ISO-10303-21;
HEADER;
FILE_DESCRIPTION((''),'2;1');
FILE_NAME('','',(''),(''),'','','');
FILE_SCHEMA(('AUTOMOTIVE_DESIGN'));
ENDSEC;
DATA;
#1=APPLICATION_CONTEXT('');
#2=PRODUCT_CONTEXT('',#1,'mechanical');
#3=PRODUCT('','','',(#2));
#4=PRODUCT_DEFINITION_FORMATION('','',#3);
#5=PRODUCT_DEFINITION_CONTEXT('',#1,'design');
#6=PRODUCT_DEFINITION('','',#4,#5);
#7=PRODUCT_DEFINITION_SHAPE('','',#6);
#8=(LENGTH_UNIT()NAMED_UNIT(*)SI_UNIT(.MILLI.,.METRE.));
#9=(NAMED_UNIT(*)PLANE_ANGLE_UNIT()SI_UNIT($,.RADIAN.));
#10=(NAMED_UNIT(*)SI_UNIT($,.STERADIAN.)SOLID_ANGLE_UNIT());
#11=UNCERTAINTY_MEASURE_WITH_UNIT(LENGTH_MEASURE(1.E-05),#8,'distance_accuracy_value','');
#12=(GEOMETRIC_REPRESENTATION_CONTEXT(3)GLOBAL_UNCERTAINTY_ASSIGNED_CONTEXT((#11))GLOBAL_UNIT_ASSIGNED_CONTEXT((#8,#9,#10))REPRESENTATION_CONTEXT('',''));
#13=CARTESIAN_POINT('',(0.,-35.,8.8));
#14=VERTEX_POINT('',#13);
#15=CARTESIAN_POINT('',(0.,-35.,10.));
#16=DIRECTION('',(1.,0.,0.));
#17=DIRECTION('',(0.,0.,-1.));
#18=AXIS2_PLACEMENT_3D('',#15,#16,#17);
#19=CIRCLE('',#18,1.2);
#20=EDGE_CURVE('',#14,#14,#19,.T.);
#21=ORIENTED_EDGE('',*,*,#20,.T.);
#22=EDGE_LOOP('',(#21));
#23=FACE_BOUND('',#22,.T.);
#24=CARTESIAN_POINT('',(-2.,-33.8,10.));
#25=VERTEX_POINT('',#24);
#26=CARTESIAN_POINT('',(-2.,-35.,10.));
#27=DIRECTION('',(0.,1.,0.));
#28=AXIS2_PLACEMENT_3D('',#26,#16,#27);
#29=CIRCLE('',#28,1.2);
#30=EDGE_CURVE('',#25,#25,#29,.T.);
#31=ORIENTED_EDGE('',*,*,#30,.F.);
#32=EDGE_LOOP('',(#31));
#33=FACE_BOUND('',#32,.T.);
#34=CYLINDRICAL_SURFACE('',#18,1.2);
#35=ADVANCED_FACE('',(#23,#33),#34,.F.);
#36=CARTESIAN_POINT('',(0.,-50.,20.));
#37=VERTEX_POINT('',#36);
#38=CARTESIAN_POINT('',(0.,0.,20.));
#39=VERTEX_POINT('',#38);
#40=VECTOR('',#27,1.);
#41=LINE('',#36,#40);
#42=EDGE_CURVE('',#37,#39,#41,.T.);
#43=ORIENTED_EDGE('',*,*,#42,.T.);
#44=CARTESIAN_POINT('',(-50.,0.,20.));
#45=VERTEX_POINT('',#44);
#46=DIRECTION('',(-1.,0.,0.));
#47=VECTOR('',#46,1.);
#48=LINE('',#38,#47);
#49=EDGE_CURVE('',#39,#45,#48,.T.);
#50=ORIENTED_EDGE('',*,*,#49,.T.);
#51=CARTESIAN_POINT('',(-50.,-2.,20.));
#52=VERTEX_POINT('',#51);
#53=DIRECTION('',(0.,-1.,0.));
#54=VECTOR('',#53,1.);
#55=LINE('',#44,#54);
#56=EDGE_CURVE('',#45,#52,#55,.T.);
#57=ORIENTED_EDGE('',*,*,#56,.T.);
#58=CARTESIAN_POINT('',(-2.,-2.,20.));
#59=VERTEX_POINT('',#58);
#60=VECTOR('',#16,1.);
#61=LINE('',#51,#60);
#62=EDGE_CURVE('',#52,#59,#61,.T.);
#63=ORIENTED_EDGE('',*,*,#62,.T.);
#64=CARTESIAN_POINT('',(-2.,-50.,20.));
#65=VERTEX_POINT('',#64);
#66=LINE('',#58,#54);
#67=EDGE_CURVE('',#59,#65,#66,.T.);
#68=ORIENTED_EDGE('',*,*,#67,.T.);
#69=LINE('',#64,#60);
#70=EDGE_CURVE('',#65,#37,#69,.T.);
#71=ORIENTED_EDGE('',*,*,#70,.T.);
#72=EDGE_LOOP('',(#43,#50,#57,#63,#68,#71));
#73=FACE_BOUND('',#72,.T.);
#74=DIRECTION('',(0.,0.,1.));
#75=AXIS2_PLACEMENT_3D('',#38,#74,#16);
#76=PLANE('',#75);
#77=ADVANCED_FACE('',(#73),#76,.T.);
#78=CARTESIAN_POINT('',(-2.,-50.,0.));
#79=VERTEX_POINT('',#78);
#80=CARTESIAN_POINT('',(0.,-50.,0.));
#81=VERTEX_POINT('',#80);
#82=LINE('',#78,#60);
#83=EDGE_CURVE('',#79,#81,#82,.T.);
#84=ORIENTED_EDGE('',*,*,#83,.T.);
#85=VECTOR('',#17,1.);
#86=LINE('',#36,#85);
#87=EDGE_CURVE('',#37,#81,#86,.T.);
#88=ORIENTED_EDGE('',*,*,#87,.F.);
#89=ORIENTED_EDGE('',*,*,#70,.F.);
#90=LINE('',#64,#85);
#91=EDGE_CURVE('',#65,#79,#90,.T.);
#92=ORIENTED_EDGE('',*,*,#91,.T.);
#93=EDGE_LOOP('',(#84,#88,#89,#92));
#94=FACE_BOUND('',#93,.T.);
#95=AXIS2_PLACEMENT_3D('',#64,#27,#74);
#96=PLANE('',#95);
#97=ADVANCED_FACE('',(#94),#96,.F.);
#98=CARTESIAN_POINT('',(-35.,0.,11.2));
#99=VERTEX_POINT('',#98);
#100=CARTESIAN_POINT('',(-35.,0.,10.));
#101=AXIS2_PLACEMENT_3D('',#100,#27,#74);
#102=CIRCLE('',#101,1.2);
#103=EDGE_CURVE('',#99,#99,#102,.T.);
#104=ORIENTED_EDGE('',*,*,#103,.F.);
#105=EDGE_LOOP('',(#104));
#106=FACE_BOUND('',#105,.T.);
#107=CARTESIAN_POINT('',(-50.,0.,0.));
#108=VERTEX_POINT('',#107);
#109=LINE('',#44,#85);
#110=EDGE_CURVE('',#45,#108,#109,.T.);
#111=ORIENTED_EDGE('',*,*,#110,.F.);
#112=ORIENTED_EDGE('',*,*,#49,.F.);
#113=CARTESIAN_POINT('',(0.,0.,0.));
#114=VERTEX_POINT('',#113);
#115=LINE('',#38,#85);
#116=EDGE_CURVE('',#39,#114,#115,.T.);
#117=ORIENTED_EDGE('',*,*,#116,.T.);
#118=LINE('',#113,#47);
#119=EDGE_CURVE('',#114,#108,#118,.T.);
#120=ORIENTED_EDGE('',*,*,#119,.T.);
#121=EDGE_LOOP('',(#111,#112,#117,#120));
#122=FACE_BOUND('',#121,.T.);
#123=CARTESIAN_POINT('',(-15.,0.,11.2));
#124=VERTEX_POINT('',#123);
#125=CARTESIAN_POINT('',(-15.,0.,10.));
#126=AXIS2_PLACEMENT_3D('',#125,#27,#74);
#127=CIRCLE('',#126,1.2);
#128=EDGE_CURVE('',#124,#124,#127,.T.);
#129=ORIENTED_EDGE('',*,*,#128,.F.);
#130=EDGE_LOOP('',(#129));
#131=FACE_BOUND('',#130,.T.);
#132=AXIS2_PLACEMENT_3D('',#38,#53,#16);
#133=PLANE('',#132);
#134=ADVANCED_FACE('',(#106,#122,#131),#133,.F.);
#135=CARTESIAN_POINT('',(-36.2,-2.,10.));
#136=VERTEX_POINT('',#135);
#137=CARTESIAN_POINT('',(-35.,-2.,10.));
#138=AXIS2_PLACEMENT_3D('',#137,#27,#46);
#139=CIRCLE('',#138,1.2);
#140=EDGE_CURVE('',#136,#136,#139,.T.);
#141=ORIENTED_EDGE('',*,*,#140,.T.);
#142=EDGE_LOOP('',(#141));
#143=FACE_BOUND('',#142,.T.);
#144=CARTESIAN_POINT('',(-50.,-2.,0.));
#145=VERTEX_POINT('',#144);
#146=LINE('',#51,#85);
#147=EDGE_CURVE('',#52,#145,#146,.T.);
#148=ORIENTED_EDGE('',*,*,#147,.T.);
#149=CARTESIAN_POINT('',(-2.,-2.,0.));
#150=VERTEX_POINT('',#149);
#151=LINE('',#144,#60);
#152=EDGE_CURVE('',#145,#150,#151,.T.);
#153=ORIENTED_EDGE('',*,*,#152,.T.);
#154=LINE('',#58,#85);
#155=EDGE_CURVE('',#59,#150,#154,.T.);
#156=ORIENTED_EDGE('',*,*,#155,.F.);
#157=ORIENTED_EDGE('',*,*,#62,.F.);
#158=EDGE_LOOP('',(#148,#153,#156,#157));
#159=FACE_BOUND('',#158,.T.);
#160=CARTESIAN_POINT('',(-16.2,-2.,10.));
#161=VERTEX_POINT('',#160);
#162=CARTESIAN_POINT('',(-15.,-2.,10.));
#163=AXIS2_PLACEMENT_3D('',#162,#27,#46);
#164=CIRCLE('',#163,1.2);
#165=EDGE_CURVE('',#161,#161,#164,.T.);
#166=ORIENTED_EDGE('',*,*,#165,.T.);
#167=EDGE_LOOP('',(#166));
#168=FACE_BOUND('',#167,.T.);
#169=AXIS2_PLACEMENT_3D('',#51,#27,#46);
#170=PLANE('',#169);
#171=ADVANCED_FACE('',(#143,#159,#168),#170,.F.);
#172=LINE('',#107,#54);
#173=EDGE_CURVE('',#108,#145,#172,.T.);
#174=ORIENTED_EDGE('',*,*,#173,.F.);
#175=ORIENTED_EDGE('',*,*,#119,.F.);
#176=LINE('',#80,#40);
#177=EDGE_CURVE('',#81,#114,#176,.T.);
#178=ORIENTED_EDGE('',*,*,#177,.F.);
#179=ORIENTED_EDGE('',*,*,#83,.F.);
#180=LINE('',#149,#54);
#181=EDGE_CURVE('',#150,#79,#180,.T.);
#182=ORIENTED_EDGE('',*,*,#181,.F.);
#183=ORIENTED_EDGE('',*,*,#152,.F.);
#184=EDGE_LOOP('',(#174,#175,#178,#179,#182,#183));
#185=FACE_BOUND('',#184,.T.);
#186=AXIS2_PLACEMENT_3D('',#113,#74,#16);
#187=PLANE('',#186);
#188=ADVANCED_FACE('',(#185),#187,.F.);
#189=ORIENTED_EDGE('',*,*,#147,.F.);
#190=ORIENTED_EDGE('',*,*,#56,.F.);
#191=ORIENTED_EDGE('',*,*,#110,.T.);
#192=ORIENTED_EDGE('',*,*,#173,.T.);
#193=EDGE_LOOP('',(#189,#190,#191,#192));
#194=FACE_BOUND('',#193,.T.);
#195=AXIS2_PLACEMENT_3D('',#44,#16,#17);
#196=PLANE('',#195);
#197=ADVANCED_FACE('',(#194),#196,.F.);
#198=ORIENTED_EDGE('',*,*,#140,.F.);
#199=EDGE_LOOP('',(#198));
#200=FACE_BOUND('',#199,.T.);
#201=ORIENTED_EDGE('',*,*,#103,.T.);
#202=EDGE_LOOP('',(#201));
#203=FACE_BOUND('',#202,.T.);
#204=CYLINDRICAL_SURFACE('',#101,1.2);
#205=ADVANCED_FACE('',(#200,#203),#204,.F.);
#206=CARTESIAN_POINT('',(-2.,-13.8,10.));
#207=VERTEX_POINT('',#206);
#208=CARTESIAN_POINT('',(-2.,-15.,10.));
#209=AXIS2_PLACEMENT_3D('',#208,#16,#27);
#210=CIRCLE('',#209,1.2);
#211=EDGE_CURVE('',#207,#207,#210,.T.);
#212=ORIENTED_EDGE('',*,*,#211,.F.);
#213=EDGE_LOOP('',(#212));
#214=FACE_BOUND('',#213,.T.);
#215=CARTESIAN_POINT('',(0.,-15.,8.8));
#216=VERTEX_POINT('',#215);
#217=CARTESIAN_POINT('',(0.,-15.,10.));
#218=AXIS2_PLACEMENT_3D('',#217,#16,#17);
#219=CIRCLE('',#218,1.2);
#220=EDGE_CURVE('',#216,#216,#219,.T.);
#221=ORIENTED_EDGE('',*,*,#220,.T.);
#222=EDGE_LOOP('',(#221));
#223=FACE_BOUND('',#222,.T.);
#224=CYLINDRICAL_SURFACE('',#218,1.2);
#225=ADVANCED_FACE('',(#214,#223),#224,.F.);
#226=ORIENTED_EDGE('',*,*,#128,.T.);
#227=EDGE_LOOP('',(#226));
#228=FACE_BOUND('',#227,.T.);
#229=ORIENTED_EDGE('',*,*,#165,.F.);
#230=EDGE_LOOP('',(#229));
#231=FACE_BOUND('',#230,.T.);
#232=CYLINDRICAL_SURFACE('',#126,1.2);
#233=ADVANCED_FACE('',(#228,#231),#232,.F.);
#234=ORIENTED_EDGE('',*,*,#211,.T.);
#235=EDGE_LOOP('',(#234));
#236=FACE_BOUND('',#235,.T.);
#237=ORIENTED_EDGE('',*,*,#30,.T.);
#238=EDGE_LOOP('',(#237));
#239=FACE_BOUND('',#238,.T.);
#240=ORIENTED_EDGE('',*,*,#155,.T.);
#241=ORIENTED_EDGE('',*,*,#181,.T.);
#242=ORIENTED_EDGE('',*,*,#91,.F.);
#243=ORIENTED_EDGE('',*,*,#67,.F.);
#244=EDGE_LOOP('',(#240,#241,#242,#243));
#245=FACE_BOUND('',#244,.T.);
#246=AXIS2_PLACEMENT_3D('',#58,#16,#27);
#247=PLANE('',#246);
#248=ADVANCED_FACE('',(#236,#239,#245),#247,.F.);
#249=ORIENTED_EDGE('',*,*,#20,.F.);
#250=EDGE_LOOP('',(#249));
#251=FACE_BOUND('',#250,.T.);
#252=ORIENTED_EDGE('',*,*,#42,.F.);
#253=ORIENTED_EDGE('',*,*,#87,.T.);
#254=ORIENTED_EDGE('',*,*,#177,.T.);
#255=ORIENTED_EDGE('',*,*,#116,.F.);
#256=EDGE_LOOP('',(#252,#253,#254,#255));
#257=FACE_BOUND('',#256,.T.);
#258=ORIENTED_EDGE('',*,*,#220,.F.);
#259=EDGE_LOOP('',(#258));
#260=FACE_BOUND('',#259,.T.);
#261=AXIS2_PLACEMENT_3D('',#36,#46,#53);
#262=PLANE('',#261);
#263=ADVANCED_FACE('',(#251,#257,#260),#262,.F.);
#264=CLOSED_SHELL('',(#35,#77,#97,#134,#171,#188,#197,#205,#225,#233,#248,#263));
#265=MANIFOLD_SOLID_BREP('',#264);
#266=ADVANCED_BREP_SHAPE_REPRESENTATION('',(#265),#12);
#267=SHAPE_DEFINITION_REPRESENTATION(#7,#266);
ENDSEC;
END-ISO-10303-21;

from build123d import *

# Parameters (mm, degrees)
BOSS_EXTRUDE1_DEPTH                = 20
M2_CLEARANCE_HOLE1_D               = 2.4
M2_CLEARANCE_HOLE1_DEPTH           = 3
M2_CLEARANCE_HOLE1_TIP             = 0.721032743
M2_CLEARANCE_HOLE1_ON_FACE_2_D     = 2.4
M2_CLEARANCE_HOLE1_ON_FACE_2_DEPTH = 3
M2_CLEARANCE_HOLE1_ON_FACE_2_TIP   = 0.721032743


with BuildPart() as part:
    # Sketch1 → Boss-Extrude1 (new body)
    with BuildSketch(Plane.XY):
        Polygon((-50, 0), (-50, -2), (-2, -2), (-2, -50), (0, -50), (0, 0), align=None)
    extrude(amount=BOSS_EXTRUDE1_DEPTH)

    # M2 Clearance Hole1
    with Locations(Plane(origin=(-35, 0, 10), x_dir=(1, 0, 0), z_dir=(0, 1, 0))):
        with Locations((0, 0), (20, 0)):
            Hole(M2_CLEARANCE_HOLE1_D / 2, depth=M2_CLEARANCE_HOLE1_DEPTH)
            with Locations((0, 0, -(M2_CLEARANCE_HOLE1_DEPTH + M2_CLEARANCE_HOLE1_TIP / 2))):  # 118° drill point
                Cone(0, M2_CLEARANCE_HOLE1_D / 2, M2_CLEARANCE_HOLE1_TIP, mode=Mode.SUBTRACT)

    # M2 Clearance Hole1 on face 2
    with Locations(Plane(origin=(0, -15, 10), x_dir=(0, 0, 1), z_dir=(1, 0, 0))):
        with Locations((0, 0), (0, 20)):
            Hole(M2_CLEARANCE_HOLE1_ON_FACE_2_D / 2, depth=M2_CLEARANCE_HOLE1_ON_FACE_2_DEPTH)
            with Locations((0, 0, -(M2_CLEARANCE_HOLE1_ON_FACE_2_DEPTH + M2_CLEARANCE_HOLE1_ON_FACE_2_TIP / 2))):  # 118° drill point
                Cone(0, M2_CLEARANCE_HOLE1_ON_FACE_2_D / 2, M2_CLEARANCE_HOLE1_ON_FACE_2_TIP, mode=Mode.SUBTRACT)


solid = part.part
